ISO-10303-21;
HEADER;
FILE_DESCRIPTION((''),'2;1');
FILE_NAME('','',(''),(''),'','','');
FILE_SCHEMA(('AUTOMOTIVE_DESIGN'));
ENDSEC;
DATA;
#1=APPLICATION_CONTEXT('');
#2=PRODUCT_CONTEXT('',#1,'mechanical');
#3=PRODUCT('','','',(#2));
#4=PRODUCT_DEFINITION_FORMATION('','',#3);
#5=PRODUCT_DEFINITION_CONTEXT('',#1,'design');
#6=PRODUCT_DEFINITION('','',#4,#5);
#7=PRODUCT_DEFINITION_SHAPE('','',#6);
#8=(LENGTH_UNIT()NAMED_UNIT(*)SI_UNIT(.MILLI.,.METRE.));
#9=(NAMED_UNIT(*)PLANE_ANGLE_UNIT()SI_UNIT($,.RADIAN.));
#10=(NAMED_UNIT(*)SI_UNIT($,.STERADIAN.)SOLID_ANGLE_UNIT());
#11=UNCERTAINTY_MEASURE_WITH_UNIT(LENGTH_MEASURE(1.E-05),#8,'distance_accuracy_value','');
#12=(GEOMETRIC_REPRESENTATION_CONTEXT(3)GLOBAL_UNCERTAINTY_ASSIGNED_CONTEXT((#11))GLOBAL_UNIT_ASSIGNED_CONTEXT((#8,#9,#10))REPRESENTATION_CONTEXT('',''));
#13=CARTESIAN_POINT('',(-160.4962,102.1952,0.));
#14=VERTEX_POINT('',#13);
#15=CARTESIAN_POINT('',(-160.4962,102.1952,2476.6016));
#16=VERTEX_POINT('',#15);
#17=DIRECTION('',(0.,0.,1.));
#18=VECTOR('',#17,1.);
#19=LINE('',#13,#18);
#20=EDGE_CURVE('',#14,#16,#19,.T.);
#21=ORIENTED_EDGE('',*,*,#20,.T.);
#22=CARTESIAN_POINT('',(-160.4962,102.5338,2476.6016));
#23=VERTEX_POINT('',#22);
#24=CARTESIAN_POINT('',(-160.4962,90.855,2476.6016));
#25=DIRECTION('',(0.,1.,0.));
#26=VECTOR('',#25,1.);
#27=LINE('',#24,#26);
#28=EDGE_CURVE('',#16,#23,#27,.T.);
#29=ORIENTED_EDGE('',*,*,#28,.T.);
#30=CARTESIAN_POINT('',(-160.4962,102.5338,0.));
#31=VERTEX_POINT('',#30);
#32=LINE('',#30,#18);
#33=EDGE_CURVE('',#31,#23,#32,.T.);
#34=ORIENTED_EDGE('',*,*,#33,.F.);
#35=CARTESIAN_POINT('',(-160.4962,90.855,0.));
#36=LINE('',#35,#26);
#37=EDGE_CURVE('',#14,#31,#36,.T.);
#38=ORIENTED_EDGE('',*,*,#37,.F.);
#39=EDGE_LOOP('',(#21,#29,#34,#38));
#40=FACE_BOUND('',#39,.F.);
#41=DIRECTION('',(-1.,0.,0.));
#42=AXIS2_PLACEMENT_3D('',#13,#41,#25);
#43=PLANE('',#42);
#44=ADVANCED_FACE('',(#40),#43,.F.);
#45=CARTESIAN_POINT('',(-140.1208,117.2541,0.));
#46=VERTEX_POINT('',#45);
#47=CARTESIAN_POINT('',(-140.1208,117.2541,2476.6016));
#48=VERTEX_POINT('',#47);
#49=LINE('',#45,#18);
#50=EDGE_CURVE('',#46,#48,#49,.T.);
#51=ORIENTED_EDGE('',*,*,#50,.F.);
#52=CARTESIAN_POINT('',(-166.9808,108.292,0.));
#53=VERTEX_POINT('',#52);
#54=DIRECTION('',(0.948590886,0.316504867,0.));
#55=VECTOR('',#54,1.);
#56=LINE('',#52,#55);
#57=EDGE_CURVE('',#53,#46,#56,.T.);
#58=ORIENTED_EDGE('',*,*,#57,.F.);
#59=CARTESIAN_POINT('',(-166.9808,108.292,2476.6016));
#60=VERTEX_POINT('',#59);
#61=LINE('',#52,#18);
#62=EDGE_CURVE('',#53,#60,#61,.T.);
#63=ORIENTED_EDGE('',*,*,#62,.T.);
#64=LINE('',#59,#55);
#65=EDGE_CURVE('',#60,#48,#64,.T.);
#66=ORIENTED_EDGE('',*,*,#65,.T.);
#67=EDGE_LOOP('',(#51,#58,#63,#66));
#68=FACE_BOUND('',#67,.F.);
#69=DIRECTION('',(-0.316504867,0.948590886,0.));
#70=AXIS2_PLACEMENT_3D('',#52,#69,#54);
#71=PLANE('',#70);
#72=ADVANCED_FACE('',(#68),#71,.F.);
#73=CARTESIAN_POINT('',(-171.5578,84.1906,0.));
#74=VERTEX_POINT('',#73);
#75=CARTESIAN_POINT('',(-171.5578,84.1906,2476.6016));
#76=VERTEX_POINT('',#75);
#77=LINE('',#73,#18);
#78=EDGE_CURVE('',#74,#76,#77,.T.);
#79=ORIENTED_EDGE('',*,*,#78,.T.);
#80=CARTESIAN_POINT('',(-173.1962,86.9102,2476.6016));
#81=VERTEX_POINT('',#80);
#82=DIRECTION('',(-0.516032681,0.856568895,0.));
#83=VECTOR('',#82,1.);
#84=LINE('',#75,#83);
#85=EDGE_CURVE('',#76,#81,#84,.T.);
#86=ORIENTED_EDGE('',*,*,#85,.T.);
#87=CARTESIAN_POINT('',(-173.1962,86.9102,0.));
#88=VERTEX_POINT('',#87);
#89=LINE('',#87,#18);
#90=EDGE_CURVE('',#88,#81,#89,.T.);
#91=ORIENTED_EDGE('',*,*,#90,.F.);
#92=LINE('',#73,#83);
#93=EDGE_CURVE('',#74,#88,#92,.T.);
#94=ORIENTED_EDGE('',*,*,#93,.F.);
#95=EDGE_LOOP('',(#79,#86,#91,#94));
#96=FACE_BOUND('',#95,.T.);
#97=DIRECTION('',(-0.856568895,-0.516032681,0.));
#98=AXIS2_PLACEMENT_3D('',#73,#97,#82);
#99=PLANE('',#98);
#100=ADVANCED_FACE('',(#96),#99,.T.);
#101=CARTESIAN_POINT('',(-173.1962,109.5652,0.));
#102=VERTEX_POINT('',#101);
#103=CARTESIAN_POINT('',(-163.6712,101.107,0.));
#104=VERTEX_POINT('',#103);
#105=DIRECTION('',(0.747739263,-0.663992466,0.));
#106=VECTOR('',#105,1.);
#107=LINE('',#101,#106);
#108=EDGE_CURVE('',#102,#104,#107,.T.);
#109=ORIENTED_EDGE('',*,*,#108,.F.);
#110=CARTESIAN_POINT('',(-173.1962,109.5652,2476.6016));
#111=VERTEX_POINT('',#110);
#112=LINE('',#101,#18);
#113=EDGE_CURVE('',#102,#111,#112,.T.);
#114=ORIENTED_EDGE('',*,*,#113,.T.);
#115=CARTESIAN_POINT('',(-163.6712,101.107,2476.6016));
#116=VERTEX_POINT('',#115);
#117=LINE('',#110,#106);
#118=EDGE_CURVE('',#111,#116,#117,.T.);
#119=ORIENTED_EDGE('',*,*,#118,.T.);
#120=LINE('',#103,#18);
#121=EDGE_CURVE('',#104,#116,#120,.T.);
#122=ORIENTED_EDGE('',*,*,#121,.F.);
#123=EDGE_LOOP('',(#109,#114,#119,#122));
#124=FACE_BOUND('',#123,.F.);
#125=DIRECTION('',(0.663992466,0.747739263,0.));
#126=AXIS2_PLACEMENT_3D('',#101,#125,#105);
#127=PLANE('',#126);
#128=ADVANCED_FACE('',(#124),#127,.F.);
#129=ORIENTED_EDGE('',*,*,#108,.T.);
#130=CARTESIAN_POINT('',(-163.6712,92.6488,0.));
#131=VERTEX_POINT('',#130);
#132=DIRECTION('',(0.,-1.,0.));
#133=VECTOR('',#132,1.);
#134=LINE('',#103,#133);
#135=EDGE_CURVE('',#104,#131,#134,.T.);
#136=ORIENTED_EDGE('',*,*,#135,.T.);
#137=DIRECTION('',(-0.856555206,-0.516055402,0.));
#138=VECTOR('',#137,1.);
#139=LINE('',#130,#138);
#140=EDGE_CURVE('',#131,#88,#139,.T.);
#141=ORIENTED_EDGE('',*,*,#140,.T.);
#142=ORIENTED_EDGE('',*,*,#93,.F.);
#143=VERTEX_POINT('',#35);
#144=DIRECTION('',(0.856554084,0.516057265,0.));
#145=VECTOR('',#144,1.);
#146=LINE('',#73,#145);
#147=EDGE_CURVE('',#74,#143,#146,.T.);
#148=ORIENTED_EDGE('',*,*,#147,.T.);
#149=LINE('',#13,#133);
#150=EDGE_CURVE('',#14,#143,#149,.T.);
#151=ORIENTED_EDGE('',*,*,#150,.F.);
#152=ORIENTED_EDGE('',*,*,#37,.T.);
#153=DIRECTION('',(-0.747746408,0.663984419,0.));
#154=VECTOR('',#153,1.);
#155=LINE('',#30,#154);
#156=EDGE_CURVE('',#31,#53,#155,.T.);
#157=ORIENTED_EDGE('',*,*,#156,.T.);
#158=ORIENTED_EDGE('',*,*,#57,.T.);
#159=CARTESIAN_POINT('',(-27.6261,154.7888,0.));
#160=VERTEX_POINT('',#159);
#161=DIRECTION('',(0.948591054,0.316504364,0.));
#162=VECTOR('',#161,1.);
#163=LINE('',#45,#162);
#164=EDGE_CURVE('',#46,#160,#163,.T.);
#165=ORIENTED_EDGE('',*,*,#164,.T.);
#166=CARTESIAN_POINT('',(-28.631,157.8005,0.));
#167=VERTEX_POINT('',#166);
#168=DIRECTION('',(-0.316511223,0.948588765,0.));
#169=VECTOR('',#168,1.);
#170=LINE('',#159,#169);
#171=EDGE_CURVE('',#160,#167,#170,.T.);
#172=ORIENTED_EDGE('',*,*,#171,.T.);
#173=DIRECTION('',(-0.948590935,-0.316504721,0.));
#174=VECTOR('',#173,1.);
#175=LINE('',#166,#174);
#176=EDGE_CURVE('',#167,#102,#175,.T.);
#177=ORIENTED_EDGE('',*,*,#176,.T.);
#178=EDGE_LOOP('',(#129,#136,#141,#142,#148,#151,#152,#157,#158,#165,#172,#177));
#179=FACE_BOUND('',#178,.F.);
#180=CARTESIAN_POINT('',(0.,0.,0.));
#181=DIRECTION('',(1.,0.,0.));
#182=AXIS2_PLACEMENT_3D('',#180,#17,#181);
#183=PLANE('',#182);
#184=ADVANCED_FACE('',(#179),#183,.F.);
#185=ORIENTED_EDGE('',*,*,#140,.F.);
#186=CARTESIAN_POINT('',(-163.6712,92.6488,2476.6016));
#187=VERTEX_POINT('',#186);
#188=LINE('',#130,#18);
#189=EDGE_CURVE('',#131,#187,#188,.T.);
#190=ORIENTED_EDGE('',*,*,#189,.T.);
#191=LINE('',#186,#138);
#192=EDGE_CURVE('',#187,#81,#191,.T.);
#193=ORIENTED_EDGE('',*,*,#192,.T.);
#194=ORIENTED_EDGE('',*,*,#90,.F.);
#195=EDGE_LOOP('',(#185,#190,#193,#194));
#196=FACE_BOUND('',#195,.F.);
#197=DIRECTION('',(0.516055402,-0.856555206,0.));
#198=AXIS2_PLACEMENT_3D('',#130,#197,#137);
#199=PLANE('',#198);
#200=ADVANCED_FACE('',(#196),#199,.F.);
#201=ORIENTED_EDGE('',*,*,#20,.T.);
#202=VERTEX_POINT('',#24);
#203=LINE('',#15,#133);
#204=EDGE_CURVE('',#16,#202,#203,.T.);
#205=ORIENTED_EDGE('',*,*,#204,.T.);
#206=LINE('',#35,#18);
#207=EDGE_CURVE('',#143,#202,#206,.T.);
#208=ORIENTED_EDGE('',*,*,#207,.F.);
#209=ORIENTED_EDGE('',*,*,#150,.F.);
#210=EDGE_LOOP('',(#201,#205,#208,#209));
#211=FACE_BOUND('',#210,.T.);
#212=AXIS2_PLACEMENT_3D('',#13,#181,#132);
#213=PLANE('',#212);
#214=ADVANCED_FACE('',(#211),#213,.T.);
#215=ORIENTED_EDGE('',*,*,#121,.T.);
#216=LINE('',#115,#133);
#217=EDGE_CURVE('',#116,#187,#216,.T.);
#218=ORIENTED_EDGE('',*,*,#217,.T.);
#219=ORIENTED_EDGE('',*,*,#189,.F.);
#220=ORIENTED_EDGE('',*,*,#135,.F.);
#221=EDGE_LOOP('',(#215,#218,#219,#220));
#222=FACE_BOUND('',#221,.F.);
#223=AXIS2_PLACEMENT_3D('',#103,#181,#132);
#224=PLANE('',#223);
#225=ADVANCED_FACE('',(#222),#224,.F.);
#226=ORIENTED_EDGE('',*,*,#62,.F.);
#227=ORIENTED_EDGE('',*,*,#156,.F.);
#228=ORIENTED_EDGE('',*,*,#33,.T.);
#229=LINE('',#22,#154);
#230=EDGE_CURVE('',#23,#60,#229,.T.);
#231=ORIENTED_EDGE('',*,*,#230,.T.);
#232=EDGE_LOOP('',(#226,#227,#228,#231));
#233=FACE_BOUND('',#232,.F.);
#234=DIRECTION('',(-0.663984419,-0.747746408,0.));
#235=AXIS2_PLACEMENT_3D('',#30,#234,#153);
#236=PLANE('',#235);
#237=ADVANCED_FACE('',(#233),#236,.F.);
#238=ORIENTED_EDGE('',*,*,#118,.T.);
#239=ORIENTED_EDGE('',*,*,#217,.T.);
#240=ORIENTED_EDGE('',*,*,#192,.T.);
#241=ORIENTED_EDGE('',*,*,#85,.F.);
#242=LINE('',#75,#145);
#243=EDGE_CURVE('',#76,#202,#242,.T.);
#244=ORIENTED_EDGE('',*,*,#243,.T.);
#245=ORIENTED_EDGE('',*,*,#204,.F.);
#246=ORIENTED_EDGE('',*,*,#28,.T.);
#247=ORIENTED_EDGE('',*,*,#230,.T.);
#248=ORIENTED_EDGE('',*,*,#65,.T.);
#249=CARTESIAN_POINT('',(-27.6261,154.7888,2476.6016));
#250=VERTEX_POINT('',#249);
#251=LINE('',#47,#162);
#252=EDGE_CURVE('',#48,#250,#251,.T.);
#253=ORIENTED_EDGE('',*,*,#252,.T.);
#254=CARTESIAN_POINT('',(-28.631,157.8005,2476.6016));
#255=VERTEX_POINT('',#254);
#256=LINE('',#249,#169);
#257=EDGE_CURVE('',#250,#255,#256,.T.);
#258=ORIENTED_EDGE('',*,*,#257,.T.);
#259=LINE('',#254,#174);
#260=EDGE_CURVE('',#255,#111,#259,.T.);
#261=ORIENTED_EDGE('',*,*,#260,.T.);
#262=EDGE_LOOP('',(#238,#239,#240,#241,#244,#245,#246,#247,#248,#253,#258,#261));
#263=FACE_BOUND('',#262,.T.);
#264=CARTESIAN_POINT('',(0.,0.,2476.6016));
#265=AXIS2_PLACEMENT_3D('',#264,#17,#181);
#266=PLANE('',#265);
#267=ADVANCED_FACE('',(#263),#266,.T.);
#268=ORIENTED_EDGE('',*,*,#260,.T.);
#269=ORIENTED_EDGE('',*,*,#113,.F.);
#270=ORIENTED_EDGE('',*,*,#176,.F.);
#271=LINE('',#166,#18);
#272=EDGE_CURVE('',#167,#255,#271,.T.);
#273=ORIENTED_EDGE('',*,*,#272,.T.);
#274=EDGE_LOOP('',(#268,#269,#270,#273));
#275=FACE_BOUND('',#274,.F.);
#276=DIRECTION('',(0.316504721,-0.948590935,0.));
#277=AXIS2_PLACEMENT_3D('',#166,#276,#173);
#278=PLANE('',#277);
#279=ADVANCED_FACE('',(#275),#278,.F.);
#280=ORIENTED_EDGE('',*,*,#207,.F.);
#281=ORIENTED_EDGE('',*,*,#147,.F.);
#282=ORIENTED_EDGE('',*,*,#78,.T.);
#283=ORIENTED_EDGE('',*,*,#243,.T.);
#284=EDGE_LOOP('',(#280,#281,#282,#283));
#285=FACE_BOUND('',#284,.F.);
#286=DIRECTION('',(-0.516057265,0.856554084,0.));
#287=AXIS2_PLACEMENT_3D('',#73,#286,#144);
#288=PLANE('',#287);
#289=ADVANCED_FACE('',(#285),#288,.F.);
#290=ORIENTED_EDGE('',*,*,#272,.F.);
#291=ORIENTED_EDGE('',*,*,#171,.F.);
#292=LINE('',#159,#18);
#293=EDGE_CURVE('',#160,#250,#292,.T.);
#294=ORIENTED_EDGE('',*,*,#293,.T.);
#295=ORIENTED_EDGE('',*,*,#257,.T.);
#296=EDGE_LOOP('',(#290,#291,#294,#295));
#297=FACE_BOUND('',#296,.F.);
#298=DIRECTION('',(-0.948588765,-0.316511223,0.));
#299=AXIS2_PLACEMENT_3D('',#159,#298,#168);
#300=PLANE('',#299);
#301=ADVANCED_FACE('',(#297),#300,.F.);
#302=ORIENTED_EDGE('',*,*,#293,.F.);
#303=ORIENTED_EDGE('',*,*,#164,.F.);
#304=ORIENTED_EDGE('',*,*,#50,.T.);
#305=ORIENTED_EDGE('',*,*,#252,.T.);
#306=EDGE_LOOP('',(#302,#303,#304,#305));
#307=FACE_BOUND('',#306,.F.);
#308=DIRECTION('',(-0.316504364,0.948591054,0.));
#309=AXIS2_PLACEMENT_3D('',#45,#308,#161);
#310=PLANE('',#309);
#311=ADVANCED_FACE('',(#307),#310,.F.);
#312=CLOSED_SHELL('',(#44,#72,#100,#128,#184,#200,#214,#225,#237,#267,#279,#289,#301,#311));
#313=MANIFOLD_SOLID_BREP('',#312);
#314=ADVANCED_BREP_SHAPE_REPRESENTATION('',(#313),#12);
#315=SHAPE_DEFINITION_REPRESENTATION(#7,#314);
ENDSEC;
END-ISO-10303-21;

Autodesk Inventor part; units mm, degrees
ref_plane "YZ Plane" through (0, 0, 0) normal (1, 0, 0) x (0, 1, 0)
ref_plane "XZ Plane" through (0, 0, 0) normal (0, 1, 0) x (-1, 0, 0)
ref_plane "XY Plane" through (0, 0, 0) normal (0, 0, 1) x (1, 0, 0)
sketch "Sketch1" plane through (0, 0, 0) normal (0, 0, 1) x (1, 0, 0)
  line L0 (0, 0) -> (3294.2276, 1099.144)
  line L1 (3294.2276, 1246.4151) -> (-135.0962, 102.1952)
  line L2 (0, 0) -> (-135.0962, 0)
  line L3 (-135.0962, 0) -> (-135.0962, 102.1952)
  line L4 (-135.0962, 102.1952) -> (1627.6312, 690.3426)
  line L5 (3294.2276, 1099.144) -> (3263.9, 1099.144)
  line L6 (3294.2276, 1099.144) -> (3294.2276, 1246.4151)
  line L7 (-88.9, 0) -> (-88.9, 117.6089)
  line L8 (3263.9, 1089.025) -> (3263.9, 1236.2961)
  line L9 (-135.0962, 102.1952) -> (-160.4962, 102.1952)
  line L10 (-160.4962, 102.1952) -> (-160.4962, 0)
  line L11 (-160.4962, 0) -> (-135.0962, 0)
  line L12 (-135.0962, 102.1952) -> (-140.1208, 117.2541)
  line L13 (-140.1208, 117.2541) -> (150.6173, 214.261)
  line L14 (150.6173, 214.261) -> (155.6418, 199.2021)
  line L15 (-27.6261, 154.7888) -> (-28.631, 157.8005)
  line L16 (-28.631, 157.8005) -> (-173.1962, 109.5652)
  line L17 (-173.1962, 109.5652) -> (-163.6712, 101.107)
  line L18 (-163.6712, 101.107) -> (-163.6712, 92.6488)
  line L19 (-163.6712, 92.6488) -> (-173.1962, 86.9102)
  line L20 (-171.5578, 84.1906) -> (-160.4962, 90.855)
  line L21 (-160.4962, 90.855) -> (-160.4962, 102.5338)
  line L22 (-160.4962, 102.5338) -> (-166.9808, 108.292)
  line L23 (-166.9808, 108.292) -> (-27.6261, 154.7888)
  line L24 (-171.5578, 84.1906) -> (-173.1962, 86.9102)
  line L25 (-173.1962, 109.5652) -> (-173.1962, 86.9102)
  point P0 (-160.4962, 90.855)
  point P1 (-160.4962, 101.4128)
  dimension "d5" = 139.7
  dimension "d17" = 88.9
  dimension "d19" = 3352.8
  dimension "d23" = 30.3276
  dimension "d28" = 46.1962
  dimension "d33" = 1089.025
  dimension "d36" = 25.4
  dimension "d37" = 15.875
  dimension "d49" = 3.175
  dimension "d50" = 3.175
  dimension "d51" = 3.175
  dimension "d52" = 3.175
  dimension "d54" = 8.4582
  dimension "d55" = 8.4582
  dimension "d61" = 8.4582
  dimension "d62" = 152.4
extrude "Extrusion2" add sketch "Sketch1" along normal blind 2476.6016 contours L10 L20 L24 L19 L18 L17 L16 L15 L13 L23 L22 L21
properties part number "Drip_Edge_For_Back_With_Length_97.504_Inches" material "Aluminum 6061"
